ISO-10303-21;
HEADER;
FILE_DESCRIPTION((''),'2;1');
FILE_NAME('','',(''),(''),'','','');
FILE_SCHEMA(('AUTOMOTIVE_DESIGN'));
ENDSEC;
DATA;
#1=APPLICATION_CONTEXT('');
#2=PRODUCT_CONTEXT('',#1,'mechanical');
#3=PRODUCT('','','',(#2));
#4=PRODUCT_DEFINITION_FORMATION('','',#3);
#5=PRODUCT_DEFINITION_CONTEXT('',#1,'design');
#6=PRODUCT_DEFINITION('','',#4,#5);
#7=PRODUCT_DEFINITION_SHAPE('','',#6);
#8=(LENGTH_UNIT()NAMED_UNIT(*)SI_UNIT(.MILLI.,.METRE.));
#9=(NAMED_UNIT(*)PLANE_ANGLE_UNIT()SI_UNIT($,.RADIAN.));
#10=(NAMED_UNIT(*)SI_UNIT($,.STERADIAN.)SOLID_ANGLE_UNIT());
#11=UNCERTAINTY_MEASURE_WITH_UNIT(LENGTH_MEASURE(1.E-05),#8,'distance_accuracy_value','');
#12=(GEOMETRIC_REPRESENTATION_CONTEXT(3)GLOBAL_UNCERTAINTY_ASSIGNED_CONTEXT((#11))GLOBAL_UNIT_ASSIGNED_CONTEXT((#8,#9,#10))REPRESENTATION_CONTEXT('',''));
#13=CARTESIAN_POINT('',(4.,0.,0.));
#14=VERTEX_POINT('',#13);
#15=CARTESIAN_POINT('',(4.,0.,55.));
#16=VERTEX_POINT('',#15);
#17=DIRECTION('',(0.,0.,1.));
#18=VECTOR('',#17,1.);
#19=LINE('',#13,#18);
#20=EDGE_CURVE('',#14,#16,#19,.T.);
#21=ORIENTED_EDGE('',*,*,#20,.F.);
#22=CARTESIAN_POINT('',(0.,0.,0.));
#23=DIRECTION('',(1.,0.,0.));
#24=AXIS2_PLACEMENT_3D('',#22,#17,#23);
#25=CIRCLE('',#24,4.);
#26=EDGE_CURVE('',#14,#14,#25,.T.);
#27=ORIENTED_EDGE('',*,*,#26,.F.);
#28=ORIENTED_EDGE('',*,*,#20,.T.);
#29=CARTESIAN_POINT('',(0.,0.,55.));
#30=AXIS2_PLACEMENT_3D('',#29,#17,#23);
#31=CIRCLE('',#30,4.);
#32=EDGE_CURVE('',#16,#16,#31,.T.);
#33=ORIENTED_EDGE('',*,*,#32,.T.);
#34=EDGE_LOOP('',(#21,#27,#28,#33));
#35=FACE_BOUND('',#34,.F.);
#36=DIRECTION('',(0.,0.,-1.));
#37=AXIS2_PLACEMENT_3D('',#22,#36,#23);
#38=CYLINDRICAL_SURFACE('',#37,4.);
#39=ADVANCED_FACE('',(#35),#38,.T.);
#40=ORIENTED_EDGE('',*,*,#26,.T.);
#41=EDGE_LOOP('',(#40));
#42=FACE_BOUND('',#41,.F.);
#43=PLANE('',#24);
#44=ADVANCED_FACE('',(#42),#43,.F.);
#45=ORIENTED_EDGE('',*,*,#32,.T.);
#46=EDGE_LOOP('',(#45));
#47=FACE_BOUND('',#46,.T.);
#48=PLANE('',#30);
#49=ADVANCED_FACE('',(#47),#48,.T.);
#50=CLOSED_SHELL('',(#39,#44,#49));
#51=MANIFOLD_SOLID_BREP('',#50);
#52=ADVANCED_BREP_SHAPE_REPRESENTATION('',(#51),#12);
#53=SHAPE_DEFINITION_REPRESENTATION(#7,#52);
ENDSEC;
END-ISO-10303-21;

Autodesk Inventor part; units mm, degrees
ref_plane "YZ Plane" through (0, 0, 0) normal (1, 0, 0) x (0, 1, 0)
ref_plane "XZ Plane" through (0, 0, 0) normal (0, 1, 0) x (-1, 0, 0)
ref_plane "XY Plane" through (0, 0, 0) normal (0, 0, 1) x (1, 0, 0)
sketch "スケッチ1" plane through (0, 0, 0) normal (0, 0, 1) x (1, 0, 0)
  circle A0 centre (0, 0) radius 4
  dimension "d2" = 8
extrude "押し出し1" add sketch "スケッチ1" along normal blind 55
properties part number "ガイド輪軸"
